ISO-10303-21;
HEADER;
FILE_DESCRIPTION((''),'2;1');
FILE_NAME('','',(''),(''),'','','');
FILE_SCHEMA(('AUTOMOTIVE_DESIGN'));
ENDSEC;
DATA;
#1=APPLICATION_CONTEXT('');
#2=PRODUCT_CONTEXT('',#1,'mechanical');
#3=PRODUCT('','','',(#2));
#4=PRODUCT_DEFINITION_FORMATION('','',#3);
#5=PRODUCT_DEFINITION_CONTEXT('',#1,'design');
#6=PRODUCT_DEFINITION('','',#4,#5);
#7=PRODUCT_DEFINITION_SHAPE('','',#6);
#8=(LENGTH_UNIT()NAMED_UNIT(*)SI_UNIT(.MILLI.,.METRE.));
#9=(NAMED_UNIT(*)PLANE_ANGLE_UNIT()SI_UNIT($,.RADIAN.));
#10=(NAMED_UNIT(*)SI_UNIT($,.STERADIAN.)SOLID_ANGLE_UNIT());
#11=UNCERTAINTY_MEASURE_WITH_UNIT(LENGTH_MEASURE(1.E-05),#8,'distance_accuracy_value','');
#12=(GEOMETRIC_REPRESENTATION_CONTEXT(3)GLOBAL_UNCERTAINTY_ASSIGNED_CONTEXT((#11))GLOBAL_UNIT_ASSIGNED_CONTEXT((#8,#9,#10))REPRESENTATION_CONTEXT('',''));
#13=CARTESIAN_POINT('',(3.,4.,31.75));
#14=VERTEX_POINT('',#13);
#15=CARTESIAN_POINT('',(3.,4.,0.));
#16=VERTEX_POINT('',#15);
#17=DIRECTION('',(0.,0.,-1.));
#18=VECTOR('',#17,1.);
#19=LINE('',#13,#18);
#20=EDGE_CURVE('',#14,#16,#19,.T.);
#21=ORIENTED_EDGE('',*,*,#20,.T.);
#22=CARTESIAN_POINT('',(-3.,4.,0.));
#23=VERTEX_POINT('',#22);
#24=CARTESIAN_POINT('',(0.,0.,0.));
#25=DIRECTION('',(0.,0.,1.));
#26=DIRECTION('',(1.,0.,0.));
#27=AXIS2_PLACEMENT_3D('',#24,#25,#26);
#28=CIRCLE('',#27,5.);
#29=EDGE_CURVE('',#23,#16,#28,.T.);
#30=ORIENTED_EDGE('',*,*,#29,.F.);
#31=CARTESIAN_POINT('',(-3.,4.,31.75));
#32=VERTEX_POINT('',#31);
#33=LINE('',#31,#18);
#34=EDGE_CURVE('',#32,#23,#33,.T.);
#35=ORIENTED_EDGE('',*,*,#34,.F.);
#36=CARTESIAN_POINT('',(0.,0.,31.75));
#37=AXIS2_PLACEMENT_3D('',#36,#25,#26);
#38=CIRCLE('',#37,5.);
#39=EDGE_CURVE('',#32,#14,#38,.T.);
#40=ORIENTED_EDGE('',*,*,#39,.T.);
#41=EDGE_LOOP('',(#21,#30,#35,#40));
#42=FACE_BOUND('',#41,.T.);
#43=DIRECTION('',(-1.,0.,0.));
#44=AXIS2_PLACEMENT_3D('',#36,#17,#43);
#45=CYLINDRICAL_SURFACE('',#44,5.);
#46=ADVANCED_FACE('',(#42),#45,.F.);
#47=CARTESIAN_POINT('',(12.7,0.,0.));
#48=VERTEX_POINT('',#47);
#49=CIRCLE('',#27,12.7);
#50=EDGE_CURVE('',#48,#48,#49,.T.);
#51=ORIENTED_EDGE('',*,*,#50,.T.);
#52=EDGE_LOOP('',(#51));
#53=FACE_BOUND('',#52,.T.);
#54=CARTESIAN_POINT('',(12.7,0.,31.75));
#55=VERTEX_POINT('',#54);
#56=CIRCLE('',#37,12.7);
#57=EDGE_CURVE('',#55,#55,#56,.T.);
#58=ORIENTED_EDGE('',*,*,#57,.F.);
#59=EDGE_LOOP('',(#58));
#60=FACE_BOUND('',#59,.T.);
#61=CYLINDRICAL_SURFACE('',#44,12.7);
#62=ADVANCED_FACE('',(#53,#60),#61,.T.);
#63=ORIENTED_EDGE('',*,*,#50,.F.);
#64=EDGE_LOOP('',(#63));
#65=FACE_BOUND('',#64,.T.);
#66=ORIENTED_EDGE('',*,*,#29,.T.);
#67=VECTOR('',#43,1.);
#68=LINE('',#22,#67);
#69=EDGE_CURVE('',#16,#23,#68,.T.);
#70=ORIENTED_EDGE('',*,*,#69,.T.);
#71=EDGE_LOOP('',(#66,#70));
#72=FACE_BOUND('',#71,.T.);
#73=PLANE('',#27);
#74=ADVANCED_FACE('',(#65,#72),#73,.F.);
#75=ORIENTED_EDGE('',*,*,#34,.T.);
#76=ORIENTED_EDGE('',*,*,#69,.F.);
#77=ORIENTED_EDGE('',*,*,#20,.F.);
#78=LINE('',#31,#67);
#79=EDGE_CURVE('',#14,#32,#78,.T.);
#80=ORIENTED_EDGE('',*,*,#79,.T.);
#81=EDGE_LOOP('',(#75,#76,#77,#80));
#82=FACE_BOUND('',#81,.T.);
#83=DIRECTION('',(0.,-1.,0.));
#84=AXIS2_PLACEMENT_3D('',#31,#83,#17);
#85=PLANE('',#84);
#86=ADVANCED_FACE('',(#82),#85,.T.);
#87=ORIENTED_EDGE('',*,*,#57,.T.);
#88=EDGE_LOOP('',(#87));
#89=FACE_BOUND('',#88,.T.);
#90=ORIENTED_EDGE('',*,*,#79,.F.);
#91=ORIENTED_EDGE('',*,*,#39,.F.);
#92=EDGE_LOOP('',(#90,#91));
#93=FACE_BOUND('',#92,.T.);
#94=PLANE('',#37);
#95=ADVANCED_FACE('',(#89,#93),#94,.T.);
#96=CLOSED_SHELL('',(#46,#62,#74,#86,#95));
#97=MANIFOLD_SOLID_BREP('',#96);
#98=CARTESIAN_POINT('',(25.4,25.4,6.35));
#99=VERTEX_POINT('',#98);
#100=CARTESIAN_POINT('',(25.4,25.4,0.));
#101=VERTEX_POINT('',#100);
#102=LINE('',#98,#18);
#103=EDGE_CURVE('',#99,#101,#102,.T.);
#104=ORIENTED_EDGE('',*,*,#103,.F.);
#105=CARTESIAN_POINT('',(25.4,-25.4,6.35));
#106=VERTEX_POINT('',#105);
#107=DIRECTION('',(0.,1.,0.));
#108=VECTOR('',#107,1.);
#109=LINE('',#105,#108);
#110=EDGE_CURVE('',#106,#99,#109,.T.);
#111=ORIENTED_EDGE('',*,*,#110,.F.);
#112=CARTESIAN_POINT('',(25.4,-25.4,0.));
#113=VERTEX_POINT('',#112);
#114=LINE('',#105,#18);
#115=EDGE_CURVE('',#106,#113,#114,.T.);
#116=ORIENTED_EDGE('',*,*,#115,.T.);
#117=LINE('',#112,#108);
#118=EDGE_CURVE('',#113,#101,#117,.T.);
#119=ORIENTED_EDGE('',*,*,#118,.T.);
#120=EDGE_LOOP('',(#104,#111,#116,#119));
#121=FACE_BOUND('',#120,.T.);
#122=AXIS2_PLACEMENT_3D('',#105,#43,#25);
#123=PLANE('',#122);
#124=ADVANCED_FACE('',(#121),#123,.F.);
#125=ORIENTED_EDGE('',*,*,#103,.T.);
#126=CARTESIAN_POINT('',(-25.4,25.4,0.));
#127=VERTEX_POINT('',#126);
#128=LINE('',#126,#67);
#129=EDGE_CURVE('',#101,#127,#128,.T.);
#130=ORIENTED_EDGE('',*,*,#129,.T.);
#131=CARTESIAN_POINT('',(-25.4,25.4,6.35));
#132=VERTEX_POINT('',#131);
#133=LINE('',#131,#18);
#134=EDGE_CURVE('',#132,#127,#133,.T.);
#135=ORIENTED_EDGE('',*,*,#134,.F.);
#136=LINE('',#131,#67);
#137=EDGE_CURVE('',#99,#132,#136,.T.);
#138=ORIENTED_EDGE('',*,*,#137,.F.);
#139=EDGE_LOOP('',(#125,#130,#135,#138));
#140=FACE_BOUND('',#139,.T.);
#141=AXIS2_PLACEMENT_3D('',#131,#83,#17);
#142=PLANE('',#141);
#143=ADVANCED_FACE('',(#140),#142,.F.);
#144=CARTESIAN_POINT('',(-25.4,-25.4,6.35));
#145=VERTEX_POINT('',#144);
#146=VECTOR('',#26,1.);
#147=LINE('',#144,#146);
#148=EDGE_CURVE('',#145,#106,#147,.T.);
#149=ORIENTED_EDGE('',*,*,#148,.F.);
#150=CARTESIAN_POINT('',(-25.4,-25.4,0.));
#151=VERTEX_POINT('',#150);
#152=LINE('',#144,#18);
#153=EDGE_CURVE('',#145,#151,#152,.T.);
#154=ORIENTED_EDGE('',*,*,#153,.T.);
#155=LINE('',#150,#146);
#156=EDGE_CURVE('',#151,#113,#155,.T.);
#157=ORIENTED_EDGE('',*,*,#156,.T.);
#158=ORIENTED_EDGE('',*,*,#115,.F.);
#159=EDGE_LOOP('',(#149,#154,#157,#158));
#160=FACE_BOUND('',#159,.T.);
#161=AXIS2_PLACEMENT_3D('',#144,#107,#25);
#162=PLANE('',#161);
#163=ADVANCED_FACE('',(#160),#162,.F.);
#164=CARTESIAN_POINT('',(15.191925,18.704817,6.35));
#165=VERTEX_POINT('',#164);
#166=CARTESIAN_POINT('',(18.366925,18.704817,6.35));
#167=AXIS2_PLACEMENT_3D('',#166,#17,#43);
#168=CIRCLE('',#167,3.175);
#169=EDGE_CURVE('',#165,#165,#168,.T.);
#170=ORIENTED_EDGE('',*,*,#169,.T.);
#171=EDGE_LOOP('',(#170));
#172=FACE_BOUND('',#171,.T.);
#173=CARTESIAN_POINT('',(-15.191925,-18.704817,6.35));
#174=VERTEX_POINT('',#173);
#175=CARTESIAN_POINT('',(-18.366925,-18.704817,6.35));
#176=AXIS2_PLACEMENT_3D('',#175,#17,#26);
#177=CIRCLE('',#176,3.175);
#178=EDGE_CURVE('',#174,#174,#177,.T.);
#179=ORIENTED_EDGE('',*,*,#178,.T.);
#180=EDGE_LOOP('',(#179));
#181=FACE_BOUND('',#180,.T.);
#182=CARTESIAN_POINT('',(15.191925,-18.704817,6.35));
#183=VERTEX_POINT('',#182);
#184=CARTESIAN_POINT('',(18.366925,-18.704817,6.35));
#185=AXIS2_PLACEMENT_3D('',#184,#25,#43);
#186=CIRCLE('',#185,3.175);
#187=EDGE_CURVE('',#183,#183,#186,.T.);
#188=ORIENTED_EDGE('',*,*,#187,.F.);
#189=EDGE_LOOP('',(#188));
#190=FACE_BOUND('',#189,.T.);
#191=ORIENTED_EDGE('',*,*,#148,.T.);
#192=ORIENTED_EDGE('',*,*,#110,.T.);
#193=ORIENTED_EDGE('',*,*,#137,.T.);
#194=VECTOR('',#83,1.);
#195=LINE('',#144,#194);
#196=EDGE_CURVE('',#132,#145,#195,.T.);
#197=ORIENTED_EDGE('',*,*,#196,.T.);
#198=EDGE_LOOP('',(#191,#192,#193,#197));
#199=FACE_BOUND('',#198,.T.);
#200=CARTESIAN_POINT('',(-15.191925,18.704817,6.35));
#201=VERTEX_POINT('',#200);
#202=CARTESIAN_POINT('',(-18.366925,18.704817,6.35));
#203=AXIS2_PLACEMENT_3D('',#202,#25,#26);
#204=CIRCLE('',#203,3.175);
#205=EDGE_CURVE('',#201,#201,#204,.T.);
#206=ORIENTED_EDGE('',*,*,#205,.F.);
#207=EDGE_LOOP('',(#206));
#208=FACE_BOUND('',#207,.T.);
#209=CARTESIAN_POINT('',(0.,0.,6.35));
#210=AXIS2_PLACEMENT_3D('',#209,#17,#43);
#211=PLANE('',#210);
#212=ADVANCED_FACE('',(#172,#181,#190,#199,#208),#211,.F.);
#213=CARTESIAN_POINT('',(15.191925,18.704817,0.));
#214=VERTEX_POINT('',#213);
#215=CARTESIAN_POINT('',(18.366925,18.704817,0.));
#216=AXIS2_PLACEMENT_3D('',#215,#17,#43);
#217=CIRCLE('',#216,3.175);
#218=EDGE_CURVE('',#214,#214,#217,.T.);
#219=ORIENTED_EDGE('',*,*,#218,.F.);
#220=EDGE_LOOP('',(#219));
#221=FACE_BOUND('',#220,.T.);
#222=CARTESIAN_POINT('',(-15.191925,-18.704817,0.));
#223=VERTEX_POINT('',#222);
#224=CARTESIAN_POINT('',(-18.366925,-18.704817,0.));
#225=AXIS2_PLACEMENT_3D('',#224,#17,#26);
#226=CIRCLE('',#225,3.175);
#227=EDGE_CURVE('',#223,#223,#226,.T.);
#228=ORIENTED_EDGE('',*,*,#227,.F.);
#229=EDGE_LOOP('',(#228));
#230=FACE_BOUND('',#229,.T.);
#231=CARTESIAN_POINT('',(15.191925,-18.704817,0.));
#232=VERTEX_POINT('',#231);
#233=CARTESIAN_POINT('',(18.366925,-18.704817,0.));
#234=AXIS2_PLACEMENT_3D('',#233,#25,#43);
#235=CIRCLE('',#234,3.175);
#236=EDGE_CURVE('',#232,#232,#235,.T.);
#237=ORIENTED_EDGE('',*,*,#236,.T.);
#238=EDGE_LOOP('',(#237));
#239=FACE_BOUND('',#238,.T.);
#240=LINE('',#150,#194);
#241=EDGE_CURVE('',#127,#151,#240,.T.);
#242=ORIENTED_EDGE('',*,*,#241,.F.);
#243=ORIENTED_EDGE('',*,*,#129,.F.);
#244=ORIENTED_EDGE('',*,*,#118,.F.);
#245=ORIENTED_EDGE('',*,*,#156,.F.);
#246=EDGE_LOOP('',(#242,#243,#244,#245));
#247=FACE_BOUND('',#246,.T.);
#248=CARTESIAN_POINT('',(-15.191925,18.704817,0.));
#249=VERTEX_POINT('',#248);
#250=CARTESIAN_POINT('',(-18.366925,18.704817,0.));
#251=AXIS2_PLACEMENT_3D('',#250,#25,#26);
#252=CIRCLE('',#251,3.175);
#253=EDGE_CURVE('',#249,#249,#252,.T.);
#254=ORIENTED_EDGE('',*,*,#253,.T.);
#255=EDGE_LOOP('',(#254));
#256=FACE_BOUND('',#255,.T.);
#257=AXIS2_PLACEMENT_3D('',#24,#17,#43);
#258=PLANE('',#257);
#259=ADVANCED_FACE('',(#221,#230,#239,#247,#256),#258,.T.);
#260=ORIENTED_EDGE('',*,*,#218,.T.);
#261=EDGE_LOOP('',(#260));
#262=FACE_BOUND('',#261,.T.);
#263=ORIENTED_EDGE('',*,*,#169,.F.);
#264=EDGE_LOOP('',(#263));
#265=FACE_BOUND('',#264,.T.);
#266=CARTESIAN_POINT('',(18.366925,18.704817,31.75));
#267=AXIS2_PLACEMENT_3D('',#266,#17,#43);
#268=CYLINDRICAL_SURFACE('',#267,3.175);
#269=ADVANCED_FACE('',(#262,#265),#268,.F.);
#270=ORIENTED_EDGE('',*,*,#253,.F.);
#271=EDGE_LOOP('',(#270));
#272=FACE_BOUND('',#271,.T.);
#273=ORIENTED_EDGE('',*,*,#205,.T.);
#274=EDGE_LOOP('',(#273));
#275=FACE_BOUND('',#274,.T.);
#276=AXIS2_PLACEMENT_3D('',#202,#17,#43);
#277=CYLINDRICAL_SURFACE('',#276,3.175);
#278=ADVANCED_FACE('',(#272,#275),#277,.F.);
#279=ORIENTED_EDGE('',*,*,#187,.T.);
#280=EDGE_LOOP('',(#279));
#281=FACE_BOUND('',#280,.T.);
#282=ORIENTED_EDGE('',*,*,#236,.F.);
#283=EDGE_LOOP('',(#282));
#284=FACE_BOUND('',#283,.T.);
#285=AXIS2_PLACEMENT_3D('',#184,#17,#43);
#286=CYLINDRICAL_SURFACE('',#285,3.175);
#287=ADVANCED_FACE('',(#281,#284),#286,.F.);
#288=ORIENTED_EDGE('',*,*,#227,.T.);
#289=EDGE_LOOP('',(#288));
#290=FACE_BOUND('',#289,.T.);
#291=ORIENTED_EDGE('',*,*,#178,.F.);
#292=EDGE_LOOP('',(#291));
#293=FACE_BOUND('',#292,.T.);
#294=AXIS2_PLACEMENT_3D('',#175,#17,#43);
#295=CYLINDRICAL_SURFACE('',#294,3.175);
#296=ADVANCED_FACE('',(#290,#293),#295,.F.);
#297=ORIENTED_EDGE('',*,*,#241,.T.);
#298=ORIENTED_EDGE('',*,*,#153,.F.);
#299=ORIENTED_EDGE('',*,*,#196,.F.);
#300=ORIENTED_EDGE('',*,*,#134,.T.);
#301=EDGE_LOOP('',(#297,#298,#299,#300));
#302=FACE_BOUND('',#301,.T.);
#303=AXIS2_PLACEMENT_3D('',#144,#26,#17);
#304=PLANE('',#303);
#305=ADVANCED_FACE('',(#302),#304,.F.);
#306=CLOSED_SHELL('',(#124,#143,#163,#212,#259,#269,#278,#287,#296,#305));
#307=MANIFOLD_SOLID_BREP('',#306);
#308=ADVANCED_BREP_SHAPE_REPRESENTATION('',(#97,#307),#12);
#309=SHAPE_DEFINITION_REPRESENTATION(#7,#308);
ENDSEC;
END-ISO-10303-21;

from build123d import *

# Parameters (mm, degrees)
SKETCH1_R               = 12.7
BOSS_EXTRUDE5_DEPTH     = 31.75
SKETCH3_W               = 50.8
SKETCH3_H               = 50.8
BOSS_EXTRUDE6_DEPTH     = 6.35
SKETCH4_R               = 3.175
CUT_EXTRUDE1_DEPTH      = 32.75
MIRROR2_COPY_1_SKETCH_R = 3.175
MIRROR2_COPY_1_DEPTH    = 32.75


with BuildPart() as part:
    # Sketch1 → Boss-Extrude5 (new body)
    with BuildSketch(Plane.XY):
        Circle(SKETCH1_R)
        with BuildLine():
            Line((-3.000000011, 3.999999874), (3.000000011, 3.999999874))
            ThreePointArc((3.000000011, 3.999999874), (0, -4.999999906), (-3.000000011, 3.999999874))
        make_face(mode=Mode.SUBTRACT)
    extrude(amount=BOSS_EXTRUDE5_DEPTH)


with BuildPart() as body_2:
    # Sketch3 → Boss-Extrude6 (new body)
    with BuildSketch(Plane.XY):
        Rectangle(SKETCH3_W, SKETCH3_H)
    extrude(amount=BOSS_EXTRUDE6_DEPTH)

    # Sketch4 → Cut-Extrude1 (cut, through all)
    with BuildSketch(Plane(origin=(0, 0, 0), x_dir=(-1, 0, 0), z_dir=(0, 0, -1))):
        with Locations((-18.366924537, 18.704816802)):
            Circle(SKETCH4_R)
    cut_extrude1 = extrude(amount=-CUT_EXTRUDE1_DEPTH, mode=Mode.SUBTRACT)

    # Mirror1: Cut-Extrude1 across plane
    add(cut_extrude1.mirror(Plane(origin=(0, 0, 0), x_dir=(0, 0, 1), z_dir=(1, 0, 0))), mode=Mode.SUBTRACT)

    # Mirror2: Cut-Extrude1 across plane
    add(cut_extrude1.mirror(Plane.ZX), mode=Mode.SUBTRACT)

    # Mirror2 copy 1 sketch → Mirror2 copy 1 (cut, through all)
    with BuildSketch(Plane(origin=(0, 0, 0), x_dir=(1, 0, 0), z_dir=(0, 0, -1))):
        with Locations((-18.366924537, 18.704816802)):
            Circle(MIRROR2_COPY_1_SKETCH_R)
    extrude(amount=-MIRROR2_COPY_1_DEPTH, mode=Mode.SUBTRACT)


solid = Compound([part.part, body_2.part])
